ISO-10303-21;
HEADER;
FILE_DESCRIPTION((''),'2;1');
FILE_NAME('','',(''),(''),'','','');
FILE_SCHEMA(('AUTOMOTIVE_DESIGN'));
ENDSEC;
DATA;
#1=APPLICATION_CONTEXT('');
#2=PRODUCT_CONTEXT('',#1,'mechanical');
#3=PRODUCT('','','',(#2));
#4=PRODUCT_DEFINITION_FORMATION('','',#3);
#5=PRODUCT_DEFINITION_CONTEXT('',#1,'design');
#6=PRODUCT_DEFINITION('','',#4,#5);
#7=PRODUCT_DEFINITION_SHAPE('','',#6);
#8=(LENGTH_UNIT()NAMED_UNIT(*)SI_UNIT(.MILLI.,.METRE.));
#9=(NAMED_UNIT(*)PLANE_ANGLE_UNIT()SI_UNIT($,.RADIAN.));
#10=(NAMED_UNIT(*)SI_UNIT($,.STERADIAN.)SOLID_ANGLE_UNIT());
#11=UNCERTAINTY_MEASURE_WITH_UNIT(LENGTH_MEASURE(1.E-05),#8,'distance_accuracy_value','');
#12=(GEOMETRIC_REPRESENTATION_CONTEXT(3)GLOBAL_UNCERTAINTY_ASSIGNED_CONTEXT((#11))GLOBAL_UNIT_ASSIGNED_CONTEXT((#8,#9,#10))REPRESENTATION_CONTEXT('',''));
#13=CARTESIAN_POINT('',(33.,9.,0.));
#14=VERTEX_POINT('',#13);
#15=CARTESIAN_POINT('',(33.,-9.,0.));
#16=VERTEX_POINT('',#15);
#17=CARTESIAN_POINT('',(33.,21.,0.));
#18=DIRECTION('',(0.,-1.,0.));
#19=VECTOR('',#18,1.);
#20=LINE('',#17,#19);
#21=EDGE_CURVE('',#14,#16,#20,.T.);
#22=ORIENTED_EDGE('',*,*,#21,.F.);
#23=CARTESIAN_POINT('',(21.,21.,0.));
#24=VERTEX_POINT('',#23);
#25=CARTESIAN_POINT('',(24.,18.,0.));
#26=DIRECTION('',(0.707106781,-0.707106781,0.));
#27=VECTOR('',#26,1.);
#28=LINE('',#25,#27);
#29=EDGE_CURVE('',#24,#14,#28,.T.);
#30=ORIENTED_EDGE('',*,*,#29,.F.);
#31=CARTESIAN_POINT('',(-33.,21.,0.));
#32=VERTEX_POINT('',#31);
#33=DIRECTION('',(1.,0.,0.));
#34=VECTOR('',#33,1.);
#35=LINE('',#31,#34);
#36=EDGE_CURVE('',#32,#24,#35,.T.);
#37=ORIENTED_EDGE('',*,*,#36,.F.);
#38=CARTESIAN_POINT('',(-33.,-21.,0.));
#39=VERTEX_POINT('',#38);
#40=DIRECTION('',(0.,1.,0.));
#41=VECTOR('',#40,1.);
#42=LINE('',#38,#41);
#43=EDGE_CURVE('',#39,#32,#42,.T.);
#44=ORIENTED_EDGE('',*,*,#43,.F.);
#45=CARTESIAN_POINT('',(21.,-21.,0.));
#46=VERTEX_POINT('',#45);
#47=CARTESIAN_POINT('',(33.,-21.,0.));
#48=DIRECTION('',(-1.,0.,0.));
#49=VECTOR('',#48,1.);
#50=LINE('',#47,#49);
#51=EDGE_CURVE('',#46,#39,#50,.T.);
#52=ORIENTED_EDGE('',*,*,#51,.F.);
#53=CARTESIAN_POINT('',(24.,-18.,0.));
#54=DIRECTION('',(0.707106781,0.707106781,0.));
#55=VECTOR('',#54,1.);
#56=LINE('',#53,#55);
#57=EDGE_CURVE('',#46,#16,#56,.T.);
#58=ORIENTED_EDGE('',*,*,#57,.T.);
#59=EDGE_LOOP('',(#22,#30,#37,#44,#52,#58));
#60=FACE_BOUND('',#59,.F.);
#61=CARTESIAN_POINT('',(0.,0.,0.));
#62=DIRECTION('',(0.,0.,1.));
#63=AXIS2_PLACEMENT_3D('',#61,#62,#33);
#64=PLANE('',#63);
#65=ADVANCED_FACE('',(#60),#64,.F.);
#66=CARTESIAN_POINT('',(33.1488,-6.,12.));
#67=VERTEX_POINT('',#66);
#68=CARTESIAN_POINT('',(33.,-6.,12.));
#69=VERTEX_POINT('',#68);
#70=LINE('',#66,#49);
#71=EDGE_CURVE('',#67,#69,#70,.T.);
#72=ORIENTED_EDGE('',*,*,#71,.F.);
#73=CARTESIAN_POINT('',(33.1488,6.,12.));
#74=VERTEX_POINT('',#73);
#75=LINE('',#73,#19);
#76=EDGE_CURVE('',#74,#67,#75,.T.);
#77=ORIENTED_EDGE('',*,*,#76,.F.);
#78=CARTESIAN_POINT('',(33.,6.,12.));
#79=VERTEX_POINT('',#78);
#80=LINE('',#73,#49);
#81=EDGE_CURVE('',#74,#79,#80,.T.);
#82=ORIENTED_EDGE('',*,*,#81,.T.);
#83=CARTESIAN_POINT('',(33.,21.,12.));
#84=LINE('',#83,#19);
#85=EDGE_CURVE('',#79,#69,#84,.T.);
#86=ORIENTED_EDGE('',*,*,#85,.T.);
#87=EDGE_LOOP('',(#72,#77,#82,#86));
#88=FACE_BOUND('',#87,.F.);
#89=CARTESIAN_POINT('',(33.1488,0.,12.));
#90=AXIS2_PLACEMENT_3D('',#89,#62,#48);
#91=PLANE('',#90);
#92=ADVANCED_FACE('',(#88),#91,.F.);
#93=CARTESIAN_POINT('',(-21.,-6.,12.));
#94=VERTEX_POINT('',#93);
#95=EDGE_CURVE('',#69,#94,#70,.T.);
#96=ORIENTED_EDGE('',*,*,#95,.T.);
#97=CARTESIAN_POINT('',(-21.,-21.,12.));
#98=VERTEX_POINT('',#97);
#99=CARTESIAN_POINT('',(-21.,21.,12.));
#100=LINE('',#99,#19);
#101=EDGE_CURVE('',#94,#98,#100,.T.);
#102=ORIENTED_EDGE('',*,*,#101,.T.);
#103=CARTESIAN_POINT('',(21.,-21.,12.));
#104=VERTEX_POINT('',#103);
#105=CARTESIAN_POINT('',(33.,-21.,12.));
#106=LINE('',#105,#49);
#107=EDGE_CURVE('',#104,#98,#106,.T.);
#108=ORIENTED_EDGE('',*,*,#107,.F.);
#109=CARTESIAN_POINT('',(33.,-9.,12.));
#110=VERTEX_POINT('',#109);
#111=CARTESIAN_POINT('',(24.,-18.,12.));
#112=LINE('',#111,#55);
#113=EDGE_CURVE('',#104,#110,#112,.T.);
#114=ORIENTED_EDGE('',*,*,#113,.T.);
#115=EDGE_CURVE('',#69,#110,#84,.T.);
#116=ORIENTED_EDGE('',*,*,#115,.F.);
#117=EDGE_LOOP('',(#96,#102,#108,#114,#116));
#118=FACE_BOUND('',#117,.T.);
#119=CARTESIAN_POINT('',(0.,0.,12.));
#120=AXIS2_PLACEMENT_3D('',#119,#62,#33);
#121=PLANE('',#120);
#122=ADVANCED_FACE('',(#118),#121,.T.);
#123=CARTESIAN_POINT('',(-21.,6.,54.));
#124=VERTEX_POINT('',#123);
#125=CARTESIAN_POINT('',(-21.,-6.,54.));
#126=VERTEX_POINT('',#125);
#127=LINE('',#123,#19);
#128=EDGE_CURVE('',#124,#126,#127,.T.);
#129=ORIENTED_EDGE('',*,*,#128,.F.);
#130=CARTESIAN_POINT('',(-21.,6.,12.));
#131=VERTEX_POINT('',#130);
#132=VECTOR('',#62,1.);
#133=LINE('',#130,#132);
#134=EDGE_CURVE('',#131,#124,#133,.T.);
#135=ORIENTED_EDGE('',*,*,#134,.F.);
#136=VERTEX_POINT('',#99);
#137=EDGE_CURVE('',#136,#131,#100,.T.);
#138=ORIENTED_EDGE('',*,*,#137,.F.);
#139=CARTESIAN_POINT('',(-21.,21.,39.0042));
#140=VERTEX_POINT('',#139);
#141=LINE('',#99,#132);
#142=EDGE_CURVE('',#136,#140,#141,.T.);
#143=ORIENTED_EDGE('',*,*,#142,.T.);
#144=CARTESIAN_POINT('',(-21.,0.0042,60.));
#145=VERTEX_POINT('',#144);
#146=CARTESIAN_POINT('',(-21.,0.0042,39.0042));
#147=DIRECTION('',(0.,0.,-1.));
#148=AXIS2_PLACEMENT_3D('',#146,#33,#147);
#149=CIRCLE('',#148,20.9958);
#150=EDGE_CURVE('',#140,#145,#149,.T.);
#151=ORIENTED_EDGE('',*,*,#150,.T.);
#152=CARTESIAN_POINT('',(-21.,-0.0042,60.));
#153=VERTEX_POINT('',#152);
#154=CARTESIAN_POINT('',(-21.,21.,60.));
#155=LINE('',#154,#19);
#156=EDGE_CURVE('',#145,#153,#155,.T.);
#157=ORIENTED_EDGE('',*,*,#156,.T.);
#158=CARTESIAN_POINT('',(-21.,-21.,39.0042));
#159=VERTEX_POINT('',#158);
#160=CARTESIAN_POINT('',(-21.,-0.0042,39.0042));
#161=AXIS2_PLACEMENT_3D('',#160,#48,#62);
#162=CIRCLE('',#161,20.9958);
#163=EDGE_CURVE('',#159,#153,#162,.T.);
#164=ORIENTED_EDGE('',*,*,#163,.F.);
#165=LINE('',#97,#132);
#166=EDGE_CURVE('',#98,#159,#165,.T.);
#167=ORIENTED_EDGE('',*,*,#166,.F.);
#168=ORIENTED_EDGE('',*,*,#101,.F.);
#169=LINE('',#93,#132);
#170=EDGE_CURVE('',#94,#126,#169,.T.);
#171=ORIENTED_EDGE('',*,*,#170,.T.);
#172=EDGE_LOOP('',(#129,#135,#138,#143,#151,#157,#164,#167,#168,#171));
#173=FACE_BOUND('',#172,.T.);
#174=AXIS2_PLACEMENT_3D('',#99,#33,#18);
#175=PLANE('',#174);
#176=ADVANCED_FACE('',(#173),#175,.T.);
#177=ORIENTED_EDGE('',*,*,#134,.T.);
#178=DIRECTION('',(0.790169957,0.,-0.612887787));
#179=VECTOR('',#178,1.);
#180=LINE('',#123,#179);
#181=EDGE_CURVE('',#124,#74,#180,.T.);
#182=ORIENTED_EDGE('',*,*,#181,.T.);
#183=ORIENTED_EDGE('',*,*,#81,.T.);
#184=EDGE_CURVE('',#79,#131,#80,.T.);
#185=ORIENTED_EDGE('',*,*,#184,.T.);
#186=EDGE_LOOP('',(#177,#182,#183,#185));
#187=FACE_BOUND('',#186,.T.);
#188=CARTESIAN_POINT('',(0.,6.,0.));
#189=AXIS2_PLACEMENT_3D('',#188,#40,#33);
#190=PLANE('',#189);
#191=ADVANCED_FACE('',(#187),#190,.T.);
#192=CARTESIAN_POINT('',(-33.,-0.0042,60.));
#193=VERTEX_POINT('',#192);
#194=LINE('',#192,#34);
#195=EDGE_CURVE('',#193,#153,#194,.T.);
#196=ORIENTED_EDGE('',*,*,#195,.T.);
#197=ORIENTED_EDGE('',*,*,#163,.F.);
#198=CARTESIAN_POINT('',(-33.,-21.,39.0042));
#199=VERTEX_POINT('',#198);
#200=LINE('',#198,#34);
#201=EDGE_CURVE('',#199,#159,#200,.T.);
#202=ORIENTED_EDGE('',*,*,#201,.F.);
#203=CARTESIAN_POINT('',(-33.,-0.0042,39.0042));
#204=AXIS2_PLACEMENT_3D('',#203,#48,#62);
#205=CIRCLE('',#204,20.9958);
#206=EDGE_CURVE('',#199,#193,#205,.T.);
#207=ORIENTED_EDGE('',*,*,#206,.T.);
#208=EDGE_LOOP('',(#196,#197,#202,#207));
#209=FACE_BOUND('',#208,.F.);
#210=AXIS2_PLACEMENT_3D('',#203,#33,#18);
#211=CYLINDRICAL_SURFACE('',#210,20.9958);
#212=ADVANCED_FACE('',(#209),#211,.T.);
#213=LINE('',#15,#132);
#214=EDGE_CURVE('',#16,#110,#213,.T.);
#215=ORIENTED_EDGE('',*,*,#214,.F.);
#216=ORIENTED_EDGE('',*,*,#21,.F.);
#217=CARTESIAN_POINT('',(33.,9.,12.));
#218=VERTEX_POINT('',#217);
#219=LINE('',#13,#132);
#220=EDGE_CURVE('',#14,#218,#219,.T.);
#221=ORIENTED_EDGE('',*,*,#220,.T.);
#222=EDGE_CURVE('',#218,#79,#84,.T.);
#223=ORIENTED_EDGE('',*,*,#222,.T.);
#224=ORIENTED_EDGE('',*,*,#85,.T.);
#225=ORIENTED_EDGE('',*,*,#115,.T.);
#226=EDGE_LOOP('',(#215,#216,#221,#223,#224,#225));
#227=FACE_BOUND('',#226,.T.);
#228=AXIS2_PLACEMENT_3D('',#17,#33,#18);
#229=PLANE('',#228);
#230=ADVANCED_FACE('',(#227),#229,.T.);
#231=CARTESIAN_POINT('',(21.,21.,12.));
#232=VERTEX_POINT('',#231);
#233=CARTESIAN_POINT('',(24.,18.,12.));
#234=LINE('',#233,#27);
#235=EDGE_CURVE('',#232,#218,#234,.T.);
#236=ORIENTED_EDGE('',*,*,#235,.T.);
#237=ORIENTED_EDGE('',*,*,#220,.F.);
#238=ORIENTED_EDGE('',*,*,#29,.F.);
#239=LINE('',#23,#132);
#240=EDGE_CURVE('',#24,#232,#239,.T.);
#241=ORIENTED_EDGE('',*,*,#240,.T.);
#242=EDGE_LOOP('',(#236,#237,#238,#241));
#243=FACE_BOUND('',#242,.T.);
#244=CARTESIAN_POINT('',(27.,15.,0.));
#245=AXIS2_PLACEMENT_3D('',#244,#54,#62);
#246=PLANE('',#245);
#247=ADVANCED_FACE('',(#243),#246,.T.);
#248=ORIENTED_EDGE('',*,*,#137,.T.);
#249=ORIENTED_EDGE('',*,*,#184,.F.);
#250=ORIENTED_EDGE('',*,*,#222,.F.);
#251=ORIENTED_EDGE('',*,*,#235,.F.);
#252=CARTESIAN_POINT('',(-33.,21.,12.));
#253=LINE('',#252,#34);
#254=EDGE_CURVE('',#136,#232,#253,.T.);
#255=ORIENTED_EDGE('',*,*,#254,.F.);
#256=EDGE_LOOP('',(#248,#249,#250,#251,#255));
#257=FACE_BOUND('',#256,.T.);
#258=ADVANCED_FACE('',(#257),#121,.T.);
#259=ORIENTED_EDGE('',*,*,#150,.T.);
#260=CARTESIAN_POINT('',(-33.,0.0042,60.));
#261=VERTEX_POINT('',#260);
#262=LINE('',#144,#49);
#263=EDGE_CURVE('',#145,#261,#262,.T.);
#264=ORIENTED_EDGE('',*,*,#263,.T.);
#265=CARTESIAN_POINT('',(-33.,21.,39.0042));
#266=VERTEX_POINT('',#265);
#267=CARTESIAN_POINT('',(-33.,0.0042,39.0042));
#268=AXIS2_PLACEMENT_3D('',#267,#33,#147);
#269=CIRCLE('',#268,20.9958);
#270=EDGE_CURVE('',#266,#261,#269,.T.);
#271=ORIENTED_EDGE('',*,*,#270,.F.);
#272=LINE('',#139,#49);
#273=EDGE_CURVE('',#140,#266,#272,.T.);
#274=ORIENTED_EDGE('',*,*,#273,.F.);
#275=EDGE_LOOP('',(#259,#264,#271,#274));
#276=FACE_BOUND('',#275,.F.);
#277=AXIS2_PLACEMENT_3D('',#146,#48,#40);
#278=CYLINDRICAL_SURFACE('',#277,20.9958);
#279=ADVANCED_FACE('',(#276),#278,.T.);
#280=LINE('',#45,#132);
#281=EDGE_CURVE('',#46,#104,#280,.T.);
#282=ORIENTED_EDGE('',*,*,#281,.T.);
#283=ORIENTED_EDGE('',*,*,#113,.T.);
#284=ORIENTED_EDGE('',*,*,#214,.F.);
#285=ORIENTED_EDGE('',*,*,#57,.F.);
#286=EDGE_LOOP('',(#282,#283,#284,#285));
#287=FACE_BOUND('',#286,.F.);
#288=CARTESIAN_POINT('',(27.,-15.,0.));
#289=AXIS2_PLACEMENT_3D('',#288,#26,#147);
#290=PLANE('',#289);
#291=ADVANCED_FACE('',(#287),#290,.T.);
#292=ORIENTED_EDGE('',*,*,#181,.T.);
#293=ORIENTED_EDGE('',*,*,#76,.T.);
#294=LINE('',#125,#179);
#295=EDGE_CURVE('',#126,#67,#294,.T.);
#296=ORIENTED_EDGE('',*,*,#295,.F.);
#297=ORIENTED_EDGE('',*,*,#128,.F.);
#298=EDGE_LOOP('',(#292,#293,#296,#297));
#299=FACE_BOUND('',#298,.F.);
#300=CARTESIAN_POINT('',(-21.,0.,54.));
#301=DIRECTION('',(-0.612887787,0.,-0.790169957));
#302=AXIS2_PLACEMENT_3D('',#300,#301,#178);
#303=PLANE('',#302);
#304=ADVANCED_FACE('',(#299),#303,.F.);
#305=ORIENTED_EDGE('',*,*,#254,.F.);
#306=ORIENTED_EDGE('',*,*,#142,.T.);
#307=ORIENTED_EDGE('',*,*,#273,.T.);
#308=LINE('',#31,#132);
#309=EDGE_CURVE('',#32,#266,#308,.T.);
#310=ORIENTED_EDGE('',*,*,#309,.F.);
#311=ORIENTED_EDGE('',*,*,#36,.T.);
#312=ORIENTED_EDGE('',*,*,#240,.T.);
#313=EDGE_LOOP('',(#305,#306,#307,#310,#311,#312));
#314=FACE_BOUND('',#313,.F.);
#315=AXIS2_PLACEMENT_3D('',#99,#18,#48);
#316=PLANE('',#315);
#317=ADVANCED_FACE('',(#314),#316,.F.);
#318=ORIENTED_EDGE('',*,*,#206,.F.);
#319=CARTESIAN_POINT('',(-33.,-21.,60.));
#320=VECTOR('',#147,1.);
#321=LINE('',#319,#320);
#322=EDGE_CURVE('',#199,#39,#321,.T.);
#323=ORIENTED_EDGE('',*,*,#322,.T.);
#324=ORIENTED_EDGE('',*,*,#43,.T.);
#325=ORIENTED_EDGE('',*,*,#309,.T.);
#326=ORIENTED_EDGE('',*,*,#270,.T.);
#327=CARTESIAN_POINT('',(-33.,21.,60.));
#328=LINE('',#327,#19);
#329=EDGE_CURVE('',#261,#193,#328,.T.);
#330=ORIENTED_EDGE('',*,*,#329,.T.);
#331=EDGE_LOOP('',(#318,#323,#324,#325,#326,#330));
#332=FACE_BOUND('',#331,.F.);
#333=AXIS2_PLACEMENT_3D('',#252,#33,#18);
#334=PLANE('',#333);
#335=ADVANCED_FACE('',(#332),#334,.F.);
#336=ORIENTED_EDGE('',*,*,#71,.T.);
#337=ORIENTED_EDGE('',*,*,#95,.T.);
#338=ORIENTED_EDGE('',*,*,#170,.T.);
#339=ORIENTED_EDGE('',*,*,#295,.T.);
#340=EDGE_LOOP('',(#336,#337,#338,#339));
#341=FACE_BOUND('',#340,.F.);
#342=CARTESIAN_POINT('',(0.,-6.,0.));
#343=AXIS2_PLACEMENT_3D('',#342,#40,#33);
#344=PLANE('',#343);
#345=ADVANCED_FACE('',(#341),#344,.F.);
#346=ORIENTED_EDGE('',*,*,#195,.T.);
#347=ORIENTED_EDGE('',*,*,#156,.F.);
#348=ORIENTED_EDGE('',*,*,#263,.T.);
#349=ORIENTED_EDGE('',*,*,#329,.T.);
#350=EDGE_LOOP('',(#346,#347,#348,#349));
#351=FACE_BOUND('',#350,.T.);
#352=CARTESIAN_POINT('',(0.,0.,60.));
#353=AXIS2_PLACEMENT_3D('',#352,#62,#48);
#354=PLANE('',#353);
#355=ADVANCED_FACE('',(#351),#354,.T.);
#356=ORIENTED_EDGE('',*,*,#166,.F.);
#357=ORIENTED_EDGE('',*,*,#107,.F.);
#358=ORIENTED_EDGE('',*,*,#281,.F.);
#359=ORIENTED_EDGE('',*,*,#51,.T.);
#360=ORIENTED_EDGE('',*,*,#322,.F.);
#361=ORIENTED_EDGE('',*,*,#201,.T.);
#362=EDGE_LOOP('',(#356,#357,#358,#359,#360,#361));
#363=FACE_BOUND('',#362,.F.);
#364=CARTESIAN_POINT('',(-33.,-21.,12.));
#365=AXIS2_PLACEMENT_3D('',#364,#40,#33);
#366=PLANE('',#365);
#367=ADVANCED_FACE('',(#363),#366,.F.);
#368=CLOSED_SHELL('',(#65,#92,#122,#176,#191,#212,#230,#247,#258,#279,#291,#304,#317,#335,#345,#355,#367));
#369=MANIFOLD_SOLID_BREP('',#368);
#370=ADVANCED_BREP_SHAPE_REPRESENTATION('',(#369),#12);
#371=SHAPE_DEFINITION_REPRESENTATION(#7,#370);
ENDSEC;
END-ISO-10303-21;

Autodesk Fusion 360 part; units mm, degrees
sketch "Sketch1" plane through (0, 0, 0) normal (0, 0, 1) x (1, 0, 0)
  line L0 (33, -21) -> (-33, -21)
  line L1 (-33, -21) -> (-33, 21)
  line L2 (-33, 21) -> (33, 21)
  line L3 (33, 21) -> (33, -21)
  line L4 (33, -21) -> (-33, 21) construction
  line L5 (-33, -21) -> (33, 21) construction
  dimension "d1" = 66
  dimension "d2" = 42
extrude "Extrude1" add sketch "Sketch1" along normal blind 12
chamfer "Chamfer1" distance 12 angle 45 2 edges at (33, -21, 6) (33, 21, 6)
sketch "Sketch2" plane through (0, 0, 12) normal (0, 0, 1) x (-1, 0, 0)
  line L0 (-33, -9) -> (-21, -21)
  line L1 (-21, -21) -> (33, -21)
  line L2 (33, -21) -> (33, 21)
  line L3 (33, 21) -> (-21, 21)
  line L4 (-21, 21) -> (-33, 9)
  line L5 (-33, 9) -> (-33, -9)
  line L6 (33, -21) -> (21, -21)
  line L7 (21, -21) -> (21, 21)
  line L8 (21, 21) -> (33, 21)
  line L9 (33, 21) -> (33, -21)
  dimension "d6" = 12
extrude "Extrude2" add sketch "Sketch2" along normal blind 48 contours L1 L2 L3 L6 L7 L8 L9
fillet "Fillet1" radius 21 2 edges at (-27, 21, 60) (-27, -21, 60)
sketch "Sketch3" plane through (0, 0, 0) normal (0, 1, 0) x (1, 0, 0)
  line L0 (-21, -12) -> (-21, -54)
  line L1 (-21, -54) -> (33.1488, -12)
  line L2 (33.1488, -12) -> (-21, -12)
  dimension "d11" = 42
extrude "Extrude3" add sketch "Sketch3" along normal mid plane 12
equation "d7 = 60.00 mm - 12.00 mm"
